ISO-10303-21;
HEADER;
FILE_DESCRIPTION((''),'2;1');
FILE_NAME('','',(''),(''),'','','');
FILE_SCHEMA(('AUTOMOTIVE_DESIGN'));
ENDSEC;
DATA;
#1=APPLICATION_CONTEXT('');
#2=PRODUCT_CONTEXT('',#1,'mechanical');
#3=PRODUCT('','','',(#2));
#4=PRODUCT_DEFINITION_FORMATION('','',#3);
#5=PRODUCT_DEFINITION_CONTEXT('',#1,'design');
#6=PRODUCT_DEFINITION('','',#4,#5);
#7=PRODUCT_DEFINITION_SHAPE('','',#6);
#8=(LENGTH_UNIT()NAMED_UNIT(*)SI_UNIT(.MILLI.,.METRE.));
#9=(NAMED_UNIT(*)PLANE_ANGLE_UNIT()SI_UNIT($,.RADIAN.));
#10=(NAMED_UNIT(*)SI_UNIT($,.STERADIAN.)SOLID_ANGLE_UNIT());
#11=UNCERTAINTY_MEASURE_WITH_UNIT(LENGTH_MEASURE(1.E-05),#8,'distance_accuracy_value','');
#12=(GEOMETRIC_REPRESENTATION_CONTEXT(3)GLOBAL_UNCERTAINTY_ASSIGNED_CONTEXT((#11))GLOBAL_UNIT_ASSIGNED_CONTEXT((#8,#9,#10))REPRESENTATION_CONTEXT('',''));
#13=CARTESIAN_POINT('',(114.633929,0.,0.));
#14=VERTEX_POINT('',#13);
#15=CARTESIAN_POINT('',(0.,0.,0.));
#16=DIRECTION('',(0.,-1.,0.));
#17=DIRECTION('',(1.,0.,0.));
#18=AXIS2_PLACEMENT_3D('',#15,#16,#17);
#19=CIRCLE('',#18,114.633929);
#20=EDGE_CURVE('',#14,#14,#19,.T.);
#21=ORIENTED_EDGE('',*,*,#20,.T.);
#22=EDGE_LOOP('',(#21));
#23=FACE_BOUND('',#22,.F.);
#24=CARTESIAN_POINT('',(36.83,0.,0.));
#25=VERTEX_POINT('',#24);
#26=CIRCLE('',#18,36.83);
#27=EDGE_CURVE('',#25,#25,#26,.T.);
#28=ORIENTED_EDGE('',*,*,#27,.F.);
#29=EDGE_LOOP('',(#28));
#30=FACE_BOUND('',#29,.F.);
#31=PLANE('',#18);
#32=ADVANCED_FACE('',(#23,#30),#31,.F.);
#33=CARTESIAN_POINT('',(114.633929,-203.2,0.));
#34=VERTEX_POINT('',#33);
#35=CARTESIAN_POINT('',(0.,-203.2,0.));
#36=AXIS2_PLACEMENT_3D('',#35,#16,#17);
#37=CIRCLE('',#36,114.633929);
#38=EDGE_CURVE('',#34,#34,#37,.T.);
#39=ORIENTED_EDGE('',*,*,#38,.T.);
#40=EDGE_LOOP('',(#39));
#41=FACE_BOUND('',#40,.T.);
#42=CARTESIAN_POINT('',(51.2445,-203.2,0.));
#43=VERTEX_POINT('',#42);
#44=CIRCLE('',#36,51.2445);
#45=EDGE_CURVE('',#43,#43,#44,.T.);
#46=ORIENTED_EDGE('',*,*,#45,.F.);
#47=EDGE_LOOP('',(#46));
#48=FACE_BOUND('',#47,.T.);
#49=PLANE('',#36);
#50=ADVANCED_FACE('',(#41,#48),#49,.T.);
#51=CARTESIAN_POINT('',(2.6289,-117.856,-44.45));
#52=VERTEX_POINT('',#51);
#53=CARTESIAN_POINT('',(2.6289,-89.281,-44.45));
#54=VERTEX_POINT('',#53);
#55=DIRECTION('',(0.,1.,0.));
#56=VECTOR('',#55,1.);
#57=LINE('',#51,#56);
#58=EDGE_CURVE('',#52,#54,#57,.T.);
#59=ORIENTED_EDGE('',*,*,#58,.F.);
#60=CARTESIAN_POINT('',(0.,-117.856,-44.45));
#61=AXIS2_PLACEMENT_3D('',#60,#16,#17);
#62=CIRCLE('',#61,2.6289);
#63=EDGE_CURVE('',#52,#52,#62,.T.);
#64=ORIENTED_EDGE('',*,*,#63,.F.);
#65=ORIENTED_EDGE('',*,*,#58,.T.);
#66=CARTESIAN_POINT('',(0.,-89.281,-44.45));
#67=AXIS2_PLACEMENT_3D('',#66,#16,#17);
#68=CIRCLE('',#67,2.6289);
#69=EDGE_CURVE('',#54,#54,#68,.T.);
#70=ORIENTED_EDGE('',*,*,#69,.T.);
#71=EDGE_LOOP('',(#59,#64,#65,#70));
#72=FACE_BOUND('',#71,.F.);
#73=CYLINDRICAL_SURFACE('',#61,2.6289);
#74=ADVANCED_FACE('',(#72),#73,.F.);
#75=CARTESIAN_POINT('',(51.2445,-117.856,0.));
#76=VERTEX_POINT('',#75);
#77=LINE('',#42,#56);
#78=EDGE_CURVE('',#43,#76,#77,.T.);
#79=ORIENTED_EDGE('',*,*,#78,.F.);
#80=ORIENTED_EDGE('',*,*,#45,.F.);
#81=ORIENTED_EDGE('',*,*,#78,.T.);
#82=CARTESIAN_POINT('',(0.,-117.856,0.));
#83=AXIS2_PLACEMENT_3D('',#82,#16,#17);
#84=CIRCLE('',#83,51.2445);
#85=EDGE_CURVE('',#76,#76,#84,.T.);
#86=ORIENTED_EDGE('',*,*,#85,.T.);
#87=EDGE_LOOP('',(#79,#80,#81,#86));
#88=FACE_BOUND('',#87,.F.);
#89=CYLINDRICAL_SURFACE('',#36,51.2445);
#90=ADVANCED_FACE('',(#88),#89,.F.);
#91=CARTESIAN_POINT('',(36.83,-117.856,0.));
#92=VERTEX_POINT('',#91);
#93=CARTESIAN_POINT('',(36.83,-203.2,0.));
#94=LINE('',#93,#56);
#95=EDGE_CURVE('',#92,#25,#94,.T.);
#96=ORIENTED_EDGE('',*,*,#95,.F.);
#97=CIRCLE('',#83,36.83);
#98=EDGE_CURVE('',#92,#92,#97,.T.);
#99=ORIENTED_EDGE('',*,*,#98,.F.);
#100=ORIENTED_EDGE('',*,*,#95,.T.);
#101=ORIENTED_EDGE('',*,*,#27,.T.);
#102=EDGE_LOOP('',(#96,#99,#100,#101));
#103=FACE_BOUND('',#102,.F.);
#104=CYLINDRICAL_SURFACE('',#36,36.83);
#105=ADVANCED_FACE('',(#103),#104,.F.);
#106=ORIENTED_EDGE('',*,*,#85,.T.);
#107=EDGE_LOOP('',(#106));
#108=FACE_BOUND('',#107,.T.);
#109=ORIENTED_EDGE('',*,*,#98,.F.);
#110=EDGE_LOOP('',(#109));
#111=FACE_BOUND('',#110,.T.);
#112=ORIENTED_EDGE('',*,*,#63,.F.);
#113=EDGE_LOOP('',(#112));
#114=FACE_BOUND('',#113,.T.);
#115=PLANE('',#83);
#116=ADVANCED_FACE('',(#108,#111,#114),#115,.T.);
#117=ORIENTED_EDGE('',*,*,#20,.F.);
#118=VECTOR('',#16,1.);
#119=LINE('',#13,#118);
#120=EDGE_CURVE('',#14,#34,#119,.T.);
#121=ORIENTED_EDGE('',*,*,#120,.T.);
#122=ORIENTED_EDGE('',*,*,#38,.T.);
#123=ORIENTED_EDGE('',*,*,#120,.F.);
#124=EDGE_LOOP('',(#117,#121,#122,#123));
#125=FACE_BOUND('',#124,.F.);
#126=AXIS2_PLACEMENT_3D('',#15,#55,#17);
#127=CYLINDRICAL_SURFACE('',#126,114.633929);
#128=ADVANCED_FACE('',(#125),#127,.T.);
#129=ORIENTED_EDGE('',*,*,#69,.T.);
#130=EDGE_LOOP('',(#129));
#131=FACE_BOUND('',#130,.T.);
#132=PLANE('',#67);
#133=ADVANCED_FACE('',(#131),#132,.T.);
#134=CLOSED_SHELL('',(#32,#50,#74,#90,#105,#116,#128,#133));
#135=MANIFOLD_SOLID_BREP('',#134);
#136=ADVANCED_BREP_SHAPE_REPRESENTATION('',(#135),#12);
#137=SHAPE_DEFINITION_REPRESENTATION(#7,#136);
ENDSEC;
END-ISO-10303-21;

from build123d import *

# Parameters (mm, degrees)
F0_R     = 114.633929
F1_DEPTH = 203.2
F2_R     = 36.83
F3_DEPTH = 355.6
F4_R     = 51.2445
F5_DEPTH = 85.344
F6_R     = 2.6289
F7_DEPTH = 28.575


with BuildPart() as f1:
    # F0 (on Front) → F1 (new body)
    with BuildSketch(Plane.XZ):
        Circle(F0_R)
    extrude(amount=F1_DEPTH)

    # F2 (on face) → F3 (cut)
    with BuildSketch(Plane.XZ.offset(203.2)):
        Circle(F2_R)
    extrude(amount=-F3_DEPTH, mode=Mode.SUBTRACT)

    # F4 (on face) → F5 (cut)
    with BuildSketch(Plane.XZ.offset(203.2)):
        Circle(F4_R)
    extrude(amount=-F5_DEPTH, mode=Mode.SUBTRACT)

    # F6 (on face) → F7 (cut)
    with BuildSketch(Plane.XZ.offset(117.856)):
        with Locations((0, -44.45)):
            Circle(F6_R)
    extrude(amount=-F7_DEPTH, mode=Mode.SUBTRACT)


solid = f1.part
